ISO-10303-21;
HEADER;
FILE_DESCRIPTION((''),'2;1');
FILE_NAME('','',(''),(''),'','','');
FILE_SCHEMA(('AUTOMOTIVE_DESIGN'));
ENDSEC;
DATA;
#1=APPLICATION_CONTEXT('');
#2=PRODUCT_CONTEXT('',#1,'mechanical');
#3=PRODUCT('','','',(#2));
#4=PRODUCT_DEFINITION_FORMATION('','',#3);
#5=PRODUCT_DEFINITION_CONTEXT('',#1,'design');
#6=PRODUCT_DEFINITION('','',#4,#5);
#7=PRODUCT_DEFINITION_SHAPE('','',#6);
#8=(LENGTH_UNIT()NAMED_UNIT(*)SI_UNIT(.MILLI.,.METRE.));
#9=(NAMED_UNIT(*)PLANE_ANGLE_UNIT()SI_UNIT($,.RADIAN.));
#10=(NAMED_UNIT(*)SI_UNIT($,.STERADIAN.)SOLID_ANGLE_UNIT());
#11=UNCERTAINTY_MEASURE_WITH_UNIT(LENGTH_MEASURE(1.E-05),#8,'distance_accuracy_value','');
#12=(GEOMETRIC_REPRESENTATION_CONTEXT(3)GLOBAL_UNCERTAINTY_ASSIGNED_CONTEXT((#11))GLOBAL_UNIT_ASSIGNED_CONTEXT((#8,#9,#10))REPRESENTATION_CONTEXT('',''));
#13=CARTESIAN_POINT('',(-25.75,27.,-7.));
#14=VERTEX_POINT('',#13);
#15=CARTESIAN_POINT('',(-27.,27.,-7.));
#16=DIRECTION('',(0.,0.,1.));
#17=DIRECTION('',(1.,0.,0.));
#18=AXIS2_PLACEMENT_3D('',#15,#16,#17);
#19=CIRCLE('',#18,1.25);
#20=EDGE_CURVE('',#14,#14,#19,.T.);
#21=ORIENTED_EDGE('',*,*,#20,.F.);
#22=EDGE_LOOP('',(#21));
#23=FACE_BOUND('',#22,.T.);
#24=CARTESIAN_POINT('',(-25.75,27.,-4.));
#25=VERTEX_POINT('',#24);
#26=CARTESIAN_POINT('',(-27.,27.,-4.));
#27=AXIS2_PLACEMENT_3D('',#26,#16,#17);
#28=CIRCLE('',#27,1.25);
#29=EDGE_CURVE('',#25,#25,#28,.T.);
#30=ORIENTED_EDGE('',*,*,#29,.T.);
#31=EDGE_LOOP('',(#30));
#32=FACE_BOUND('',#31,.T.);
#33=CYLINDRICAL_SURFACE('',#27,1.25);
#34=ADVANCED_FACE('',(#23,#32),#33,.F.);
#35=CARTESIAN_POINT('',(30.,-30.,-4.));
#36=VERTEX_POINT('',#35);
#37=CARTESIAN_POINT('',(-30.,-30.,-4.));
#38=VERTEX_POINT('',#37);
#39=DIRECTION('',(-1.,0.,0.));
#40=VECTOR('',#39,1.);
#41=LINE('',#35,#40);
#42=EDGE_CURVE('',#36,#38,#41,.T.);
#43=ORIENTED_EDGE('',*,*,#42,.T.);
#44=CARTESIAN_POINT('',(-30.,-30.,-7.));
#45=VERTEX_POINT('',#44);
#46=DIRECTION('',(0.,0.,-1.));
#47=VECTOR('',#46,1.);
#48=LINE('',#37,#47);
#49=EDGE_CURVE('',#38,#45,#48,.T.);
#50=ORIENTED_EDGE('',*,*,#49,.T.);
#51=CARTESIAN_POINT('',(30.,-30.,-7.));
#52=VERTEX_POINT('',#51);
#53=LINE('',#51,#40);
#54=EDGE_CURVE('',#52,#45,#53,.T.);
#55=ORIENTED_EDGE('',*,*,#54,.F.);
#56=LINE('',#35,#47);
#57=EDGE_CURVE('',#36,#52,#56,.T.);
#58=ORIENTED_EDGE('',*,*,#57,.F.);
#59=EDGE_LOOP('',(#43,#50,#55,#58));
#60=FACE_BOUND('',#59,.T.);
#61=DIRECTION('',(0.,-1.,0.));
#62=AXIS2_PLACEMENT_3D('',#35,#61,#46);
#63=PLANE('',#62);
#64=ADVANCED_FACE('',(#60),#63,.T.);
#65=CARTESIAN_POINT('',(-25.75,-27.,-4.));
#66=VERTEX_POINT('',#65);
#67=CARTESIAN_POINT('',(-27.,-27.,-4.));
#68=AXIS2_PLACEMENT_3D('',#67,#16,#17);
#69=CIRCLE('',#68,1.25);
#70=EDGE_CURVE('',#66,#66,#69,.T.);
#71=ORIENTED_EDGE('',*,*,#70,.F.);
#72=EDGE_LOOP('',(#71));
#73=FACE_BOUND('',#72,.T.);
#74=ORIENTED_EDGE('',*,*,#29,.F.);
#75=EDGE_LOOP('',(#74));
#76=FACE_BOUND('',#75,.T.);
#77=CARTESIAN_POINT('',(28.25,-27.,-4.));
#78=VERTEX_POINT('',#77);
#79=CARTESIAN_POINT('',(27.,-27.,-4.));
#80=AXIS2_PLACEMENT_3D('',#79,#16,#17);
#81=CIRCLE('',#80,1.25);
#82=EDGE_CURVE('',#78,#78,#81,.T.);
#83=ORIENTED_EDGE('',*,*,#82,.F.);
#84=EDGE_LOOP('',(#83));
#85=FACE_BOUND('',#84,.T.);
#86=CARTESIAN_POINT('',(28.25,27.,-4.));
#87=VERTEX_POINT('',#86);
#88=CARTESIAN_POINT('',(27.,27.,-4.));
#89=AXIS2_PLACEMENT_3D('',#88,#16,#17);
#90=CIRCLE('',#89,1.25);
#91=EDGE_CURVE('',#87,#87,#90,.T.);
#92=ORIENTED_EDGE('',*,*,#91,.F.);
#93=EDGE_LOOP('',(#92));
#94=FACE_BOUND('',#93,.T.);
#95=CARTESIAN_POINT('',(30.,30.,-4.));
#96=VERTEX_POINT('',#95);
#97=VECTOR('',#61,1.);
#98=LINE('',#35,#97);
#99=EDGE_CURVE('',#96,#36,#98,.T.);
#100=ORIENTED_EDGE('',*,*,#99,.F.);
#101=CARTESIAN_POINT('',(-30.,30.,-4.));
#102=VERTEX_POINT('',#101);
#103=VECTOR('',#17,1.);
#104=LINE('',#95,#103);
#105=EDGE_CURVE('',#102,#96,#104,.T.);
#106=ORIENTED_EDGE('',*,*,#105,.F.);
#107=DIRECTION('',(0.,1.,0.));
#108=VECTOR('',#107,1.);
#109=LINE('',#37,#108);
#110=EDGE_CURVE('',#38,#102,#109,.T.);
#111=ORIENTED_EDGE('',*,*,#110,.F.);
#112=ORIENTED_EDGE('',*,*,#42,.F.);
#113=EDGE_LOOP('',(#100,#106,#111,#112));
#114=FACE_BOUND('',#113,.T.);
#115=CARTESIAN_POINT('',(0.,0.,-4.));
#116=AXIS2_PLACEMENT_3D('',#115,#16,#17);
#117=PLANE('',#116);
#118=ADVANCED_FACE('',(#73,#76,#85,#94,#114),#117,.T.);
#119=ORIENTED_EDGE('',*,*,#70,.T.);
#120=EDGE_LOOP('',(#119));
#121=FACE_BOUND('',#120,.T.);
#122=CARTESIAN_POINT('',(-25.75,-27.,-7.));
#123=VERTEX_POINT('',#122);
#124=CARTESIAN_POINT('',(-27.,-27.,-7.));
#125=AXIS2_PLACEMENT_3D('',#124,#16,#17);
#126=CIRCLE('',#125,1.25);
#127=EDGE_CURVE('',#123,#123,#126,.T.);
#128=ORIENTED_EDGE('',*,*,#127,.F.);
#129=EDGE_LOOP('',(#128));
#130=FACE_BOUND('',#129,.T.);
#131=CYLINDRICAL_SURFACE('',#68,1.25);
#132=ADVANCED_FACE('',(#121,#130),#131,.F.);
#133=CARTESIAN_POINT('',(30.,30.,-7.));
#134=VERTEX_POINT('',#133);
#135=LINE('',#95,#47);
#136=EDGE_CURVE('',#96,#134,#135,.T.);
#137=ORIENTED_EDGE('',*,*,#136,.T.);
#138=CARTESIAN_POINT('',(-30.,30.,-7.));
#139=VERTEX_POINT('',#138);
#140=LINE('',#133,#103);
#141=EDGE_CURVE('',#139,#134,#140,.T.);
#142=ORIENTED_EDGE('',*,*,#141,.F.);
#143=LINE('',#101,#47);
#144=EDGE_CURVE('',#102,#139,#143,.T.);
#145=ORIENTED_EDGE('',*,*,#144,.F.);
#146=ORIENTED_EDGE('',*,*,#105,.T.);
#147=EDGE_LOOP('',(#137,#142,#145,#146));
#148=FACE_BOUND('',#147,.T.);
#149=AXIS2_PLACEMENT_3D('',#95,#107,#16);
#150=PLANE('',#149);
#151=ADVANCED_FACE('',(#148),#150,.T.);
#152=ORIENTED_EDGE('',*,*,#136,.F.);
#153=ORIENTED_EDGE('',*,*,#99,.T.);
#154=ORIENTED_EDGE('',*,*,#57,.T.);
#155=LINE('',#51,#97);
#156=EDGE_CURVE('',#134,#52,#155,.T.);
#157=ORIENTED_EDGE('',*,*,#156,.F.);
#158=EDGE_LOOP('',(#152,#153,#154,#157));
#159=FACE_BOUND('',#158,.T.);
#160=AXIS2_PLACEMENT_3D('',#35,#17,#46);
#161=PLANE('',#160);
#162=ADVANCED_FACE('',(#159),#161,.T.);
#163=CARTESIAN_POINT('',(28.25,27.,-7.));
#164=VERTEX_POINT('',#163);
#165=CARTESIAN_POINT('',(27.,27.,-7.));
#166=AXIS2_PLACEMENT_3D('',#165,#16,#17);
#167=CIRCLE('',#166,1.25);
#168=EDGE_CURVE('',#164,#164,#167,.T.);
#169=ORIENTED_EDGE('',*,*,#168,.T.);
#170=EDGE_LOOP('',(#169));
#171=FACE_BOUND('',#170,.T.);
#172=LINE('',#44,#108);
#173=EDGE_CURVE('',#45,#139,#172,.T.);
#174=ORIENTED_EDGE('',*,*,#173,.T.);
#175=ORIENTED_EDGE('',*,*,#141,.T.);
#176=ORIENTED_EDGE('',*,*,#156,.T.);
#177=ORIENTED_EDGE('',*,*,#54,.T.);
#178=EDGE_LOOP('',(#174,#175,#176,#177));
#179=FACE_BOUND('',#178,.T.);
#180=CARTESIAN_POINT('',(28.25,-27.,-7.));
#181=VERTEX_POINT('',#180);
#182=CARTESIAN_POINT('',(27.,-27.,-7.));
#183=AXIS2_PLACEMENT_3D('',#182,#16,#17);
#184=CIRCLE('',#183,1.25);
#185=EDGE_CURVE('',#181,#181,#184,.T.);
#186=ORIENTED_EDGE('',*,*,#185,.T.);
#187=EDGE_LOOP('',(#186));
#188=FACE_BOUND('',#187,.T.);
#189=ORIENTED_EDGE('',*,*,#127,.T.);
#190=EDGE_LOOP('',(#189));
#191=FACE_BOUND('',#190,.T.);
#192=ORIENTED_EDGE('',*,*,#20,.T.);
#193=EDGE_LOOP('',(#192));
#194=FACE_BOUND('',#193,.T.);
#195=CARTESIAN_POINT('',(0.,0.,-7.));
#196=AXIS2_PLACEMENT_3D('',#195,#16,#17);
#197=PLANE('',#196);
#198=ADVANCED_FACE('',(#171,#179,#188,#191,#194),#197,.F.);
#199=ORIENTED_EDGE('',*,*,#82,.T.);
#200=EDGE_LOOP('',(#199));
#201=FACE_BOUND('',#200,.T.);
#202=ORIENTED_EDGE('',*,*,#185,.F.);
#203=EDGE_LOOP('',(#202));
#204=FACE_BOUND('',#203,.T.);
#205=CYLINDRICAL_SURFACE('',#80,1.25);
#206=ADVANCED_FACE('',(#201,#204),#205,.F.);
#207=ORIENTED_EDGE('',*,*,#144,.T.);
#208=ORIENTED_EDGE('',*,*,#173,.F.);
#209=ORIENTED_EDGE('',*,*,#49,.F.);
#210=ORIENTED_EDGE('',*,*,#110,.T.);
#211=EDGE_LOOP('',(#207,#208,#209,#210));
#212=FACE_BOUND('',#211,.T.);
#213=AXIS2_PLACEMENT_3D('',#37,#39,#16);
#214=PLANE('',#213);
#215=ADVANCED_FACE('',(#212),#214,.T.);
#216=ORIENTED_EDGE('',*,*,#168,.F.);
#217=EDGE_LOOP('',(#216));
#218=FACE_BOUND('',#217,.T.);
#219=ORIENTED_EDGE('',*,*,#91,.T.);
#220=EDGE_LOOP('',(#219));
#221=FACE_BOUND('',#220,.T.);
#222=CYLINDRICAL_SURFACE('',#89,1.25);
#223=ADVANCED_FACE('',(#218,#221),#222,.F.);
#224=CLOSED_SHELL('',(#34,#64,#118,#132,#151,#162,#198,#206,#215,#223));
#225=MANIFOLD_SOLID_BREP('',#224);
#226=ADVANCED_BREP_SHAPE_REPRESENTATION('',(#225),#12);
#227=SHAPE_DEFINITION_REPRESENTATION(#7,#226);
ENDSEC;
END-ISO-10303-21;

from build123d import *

# Parameters (mm, degrees)
SKETCH1_W                  = 60
SKETCH1_H                  = 60
BOSS_EXTRUDE1_DEPTH        = 3
F_2_5_2_5_DIAMETER_HOLE1_D = 2.5


with BuildPart() as part:
    # Sketch1 → Boss-Extrude1 (new body)
    with BuildSketch(Plane(origin=(0, 0, -7), x_dir=(-1, 0, 0), z_dir=(0, 0, -1))):
        Rectangle(SKETCH1_W, SKETCH1_H)
    extrude(amount=-BOSS_EXTRUDE1_DEPTH)

    # Ø2.5 (2.5) Diameter Hole1 (through all)
    with Locations(Plane.XY.offset(-4)):
        with Locations((-27, 27), (-27, -27), (27, -27), (27, 27)):
            Hole(F_2_5_2_5_DIAMETER_HOLE1_D / 2)


solid = part.part
